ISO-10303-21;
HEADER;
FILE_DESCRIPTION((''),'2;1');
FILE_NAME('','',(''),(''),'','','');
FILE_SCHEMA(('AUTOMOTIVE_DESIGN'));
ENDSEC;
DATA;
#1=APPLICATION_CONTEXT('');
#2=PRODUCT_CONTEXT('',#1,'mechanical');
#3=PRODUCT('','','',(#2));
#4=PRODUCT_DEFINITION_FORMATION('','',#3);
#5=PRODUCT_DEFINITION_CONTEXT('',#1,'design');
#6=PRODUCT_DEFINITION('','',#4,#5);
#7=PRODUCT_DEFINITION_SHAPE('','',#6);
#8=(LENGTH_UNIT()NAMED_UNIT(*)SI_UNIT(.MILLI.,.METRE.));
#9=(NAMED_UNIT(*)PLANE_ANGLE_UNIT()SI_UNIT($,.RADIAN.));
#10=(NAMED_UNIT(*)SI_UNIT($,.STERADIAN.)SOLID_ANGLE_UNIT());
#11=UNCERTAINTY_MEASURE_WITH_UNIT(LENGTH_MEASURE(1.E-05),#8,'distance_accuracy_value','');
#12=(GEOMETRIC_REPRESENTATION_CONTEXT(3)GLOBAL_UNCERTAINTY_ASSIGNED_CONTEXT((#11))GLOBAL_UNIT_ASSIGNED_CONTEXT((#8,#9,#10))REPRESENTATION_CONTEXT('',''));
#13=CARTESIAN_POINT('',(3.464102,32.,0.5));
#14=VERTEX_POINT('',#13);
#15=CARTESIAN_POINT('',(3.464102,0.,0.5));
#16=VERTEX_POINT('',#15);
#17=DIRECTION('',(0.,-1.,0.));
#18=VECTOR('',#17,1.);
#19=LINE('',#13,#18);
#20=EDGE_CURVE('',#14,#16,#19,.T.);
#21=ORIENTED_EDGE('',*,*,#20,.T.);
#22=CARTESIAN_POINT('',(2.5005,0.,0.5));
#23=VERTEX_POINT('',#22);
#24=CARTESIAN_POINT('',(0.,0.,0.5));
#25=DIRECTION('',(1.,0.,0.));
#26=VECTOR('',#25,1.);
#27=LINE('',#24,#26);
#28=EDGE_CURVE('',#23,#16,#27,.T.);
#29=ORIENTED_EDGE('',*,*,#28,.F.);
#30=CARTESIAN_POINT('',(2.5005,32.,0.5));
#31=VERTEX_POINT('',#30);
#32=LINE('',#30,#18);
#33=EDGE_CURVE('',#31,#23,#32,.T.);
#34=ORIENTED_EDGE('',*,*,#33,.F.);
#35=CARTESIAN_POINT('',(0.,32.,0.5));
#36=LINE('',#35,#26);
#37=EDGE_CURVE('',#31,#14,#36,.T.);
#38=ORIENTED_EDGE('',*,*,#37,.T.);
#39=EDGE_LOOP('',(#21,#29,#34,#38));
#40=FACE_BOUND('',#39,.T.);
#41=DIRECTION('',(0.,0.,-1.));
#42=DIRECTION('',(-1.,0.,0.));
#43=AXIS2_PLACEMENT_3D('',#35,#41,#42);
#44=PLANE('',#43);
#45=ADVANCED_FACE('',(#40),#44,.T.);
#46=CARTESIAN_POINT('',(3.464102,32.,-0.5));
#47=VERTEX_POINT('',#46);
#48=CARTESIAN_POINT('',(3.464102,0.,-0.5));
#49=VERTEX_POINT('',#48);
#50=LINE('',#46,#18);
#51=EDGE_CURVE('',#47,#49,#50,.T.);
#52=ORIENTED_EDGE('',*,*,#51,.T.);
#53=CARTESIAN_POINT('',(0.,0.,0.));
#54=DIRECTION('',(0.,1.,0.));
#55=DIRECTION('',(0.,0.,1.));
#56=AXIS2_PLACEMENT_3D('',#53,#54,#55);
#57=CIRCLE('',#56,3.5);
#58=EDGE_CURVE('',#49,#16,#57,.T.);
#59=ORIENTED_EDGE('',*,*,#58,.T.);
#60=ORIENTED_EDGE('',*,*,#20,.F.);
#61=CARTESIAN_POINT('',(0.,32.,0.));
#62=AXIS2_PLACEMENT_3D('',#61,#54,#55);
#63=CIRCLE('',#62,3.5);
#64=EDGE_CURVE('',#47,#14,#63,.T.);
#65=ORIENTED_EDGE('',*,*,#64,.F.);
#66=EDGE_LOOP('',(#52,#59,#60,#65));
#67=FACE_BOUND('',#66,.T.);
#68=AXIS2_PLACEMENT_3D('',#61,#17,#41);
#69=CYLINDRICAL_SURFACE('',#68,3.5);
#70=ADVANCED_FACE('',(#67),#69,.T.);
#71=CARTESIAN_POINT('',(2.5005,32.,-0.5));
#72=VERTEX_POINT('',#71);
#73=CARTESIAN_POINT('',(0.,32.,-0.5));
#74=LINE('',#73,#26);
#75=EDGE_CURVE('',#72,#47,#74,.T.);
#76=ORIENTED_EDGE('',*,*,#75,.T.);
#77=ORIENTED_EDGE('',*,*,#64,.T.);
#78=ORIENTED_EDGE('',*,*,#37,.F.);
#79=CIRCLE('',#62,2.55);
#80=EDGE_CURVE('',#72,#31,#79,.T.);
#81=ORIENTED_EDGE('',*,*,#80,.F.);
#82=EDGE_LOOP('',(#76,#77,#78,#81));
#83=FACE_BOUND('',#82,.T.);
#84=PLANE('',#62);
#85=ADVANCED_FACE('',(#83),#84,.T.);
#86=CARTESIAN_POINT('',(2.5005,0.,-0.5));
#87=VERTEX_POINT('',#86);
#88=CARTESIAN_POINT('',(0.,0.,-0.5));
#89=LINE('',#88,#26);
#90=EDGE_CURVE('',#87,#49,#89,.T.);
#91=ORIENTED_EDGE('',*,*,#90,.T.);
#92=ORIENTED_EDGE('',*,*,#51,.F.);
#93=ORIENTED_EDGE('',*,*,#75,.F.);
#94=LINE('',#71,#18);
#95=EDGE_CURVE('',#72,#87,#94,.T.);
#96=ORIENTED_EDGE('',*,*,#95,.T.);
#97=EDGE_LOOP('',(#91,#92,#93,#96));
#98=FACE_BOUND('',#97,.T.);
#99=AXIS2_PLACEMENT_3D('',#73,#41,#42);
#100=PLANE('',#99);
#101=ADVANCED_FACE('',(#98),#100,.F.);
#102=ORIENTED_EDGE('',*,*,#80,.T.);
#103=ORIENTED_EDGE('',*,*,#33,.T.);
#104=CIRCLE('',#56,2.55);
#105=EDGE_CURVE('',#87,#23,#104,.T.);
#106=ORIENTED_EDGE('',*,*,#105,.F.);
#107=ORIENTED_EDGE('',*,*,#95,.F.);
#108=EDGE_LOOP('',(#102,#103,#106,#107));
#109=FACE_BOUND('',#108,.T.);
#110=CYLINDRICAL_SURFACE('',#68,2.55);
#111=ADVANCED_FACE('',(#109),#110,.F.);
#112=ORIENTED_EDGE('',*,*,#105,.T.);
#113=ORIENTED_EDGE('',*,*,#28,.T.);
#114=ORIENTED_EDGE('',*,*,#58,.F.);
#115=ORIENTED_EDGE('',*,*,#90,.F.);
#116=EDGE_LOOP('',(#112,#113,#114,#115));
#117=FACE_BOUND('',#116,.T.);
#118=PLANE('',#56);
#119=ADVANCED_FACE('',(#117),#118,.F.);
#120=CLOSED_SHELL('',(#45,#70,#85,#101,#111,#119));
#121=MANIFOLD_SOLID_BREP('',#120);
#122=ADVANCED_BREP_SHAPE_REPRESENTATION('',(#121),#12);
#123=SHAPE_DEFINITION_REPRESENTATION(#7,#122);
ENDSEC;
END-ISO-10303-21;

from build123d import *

# Parameters (mm, degrees)
BOSS_EXTRUDE1_DEPTH = 32


with BuildPart() as part:
    # Sketch1 → Boss-Extrude1 (new body)
    with BuildSketch(Plane(origin=(0, 0, 0), x_dir=(1, 0, 0), z_dir=(0, 1, 0))):
        with BuildLine():
            ThreePointArc((2.50049995, -0.5), (-2.55, 0), (2.50049995, 0.5))
            Line((2.50049995, 0.5), (3.464101615, 0.5))
            ThreePointArc((3.464101615, 0.5), (-3.5, 0), (3.464101615, -0.5))
            Line((3.464101615, -0.5), (2.50049995, -0.5))
        make_face()
    extrude(amount=BOSS_EXTRUDE1_DEPTH)


solid = part.part
